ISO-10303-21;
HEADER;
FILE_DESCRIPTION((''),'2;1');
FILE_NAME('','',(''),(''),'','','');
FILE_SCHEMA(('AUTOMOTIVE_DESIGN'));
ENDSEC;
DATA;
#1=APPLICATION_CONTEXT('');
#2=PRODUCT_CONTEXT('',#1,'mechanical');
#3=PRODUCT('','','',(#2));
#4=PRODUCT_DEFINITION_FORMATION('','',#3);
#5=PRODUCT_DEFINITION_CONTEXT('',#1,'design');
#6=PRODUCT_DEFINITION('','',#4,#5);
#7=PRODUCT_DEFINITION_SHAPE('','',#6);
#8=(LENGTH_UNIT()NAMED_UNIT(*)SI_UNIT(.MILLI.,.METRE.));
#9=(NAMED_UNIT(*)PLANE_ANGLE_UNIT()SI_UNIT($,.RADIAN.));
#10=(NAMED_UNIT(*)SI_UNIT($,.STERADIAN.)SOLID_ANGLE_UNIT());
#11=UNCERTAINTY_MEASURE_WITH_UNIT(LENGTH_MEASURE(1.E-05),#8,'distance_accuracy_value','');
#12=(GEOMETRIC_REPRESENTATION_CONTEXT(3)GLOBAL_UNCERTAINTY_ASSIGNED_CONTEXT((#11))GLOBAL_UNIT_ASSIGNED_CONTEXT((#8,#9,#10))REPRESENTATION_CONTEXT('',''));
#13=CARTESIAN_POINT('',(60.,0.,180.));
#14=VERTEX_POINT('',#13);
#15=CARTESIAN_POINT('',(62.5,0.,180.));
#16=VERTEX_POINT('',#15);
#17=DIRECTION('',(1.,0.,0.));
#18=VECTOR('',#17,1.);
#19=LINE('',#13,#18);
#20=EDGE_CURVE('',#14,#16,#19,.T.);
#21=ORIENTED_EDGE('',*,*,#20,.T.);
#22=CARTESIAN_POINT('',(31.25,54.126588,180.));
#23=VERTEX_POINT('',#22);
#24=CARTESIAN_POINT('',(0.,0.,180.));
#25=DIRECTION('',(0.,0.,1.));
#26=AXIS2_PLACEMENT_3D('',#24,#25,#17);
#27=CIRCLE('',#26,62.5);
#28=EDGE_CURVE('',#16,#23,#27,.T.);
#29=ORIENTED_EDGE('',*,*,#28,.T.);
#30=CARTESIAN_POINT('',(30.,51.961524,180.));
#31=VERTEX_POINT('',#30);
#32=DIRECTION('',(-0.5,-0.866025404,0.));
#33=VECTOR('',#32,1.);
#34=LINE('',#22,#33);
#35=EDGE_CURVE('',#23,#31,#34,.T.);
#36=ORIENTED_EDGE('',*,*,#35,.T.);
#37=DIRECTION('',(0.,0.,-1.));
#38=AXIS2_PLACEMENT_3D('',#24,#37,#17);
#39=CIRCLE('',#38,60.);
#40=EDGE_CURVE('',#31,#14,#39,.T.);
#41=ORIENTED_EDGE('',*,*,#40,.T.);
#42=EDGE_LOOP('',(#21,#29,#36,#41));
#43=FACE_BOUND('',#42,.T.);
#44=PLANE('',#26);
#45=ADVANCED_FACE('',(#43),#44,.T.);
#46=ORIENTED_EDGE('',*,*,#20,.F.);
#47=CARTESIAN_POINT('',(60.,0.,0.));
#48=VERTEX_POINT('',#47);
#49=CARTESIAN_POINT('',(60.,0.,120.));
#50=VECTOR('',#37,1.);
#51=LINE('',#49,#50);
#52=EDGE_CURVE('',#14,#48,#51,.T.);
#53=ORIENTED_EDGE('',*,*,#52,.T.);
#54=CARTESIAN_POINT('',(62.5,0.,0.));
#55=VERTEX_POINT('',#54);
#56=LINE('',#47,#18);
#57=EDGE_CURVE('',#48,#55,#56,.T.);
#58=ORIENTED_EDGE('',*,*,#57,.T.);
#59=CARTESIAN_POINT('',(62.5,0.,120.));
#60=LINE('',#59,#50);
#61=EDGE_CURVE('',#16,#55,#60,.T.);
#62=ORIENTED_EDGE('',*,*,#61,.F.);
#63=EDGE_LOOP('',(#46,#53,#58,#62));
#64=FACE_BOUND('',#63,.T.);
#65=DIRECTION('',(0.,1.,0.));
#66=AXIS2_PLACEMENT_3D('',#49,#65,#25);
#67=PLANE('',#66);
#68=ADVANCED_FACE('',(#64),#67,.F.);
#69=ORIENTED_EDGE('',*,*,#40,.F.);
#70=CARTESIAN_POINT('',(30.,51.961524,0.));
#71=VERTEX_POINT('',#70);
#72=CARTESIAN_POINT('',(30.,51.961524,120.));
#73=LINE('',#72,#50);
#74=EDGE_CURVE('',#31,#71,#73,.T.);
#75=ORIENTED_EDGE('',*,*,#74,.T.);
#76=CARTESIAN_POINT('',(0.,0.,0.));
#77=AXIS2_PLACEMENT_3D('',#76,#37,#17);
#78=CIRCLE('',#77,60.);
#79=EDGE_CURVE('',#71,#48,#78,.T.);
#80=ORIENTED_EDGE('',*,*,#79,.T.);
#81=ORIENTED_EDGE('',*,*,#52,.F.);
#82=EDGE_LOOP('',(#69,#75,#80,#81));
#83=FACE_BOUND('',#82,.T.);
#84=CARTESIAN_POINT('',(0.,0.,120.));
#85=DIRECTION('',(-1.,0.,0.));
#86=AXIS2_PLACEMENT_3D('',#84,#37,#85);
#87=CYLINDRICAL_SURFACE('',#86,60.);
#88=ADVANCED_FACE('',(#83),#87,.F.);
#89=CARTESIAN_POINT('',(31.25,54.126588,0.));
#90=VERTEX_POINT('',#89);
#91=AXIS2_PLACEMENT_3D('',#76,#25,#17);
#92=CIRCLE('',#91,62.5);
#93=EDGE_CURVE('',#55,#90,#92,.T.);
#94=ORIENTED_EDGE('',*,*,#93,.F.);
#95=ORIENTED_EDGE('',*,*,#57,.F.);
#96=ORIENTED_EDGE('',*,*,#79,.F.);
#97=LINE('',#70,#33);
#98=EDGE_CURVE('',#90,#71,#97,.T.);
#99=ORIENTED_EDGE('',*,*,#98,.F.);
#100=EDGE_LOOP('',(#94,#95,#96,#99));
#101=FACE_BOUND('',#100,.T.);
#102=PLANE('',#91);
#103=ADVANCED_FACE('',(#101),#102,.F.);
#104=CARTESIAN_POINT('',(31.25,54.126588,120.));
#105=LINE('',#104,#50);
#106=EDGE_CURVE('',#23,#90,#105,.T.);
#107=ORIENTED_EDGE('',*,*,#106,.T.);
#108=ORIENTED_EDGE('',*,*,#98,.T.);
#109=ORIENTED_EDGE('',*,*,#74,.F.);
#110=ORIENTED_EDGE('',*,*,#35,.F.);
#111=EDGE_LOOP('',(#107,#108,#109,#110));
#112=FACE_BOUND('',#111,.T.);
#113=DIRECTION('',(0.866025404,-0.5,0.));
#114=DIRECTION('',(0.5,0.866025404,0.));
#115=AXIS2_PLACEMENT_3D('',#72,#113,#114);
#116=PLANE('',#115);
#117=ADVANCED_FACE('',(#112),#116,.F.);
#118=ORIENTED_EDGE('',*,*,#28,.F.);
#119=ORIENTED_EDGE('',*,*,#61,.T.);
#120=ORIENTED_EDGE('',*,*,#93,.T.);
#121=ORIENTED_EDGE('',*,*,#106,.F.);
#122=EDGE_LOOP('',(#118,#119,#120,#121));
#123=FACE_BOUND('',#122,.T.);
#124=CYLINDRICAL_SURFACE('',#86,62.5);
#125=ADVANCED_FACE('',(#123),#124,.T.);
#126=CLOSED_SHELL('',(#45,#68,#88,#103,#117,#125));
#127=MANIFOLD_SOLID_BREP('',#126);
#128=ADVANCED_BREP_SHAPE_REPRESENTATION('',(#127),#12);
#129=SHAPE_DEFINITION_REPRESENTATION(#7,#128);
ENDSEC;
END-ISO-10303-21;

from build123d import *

# Parameters (mm, degrees)
BOSS_EXTRUDE1_DEPTH = 120
BOSS_EXTRUDE2_DEPTH = 60


with BuildPart() as part:
    # Sketch1 → Boss-Extrude1 (new body)
    with BuildSketch(Plane.XY):
        with BuildLine():
            Line((30, 51.961524227), (31.25, 54.126587737))
            ThreePointArc((31.25, 54.126587737), (54.126587737, 31.25), (62.5, 0))
            Line((62.5, 0), (60, 0))
            ThreePointArc((60, 0), (51.961524227, 30), (30, 51.961524227))
        make_face()
    extrude(amount=BOSS_EXTRUDE1_DEPTH)

    # Sketch2 → Boss-Extrude2 (add)
    with BuildSketch(Plane.XY.offset(120)):
        with BuildLine():
            Line((60, 0), (62.5, 0))
            ThreePointArc((62.5, 0), (54.126587737, 31.25), (31.25, 54.126587737))
            Line((31.25, 54.126587737), (30, 51.961524227))
            ThreePointArc((30, 51.961524227), (51.961524227, 30), (60, 0))
        make_face()
    extrude(amount=BOSS_EXTRUDE2_DEPTH)


solid = part.part
